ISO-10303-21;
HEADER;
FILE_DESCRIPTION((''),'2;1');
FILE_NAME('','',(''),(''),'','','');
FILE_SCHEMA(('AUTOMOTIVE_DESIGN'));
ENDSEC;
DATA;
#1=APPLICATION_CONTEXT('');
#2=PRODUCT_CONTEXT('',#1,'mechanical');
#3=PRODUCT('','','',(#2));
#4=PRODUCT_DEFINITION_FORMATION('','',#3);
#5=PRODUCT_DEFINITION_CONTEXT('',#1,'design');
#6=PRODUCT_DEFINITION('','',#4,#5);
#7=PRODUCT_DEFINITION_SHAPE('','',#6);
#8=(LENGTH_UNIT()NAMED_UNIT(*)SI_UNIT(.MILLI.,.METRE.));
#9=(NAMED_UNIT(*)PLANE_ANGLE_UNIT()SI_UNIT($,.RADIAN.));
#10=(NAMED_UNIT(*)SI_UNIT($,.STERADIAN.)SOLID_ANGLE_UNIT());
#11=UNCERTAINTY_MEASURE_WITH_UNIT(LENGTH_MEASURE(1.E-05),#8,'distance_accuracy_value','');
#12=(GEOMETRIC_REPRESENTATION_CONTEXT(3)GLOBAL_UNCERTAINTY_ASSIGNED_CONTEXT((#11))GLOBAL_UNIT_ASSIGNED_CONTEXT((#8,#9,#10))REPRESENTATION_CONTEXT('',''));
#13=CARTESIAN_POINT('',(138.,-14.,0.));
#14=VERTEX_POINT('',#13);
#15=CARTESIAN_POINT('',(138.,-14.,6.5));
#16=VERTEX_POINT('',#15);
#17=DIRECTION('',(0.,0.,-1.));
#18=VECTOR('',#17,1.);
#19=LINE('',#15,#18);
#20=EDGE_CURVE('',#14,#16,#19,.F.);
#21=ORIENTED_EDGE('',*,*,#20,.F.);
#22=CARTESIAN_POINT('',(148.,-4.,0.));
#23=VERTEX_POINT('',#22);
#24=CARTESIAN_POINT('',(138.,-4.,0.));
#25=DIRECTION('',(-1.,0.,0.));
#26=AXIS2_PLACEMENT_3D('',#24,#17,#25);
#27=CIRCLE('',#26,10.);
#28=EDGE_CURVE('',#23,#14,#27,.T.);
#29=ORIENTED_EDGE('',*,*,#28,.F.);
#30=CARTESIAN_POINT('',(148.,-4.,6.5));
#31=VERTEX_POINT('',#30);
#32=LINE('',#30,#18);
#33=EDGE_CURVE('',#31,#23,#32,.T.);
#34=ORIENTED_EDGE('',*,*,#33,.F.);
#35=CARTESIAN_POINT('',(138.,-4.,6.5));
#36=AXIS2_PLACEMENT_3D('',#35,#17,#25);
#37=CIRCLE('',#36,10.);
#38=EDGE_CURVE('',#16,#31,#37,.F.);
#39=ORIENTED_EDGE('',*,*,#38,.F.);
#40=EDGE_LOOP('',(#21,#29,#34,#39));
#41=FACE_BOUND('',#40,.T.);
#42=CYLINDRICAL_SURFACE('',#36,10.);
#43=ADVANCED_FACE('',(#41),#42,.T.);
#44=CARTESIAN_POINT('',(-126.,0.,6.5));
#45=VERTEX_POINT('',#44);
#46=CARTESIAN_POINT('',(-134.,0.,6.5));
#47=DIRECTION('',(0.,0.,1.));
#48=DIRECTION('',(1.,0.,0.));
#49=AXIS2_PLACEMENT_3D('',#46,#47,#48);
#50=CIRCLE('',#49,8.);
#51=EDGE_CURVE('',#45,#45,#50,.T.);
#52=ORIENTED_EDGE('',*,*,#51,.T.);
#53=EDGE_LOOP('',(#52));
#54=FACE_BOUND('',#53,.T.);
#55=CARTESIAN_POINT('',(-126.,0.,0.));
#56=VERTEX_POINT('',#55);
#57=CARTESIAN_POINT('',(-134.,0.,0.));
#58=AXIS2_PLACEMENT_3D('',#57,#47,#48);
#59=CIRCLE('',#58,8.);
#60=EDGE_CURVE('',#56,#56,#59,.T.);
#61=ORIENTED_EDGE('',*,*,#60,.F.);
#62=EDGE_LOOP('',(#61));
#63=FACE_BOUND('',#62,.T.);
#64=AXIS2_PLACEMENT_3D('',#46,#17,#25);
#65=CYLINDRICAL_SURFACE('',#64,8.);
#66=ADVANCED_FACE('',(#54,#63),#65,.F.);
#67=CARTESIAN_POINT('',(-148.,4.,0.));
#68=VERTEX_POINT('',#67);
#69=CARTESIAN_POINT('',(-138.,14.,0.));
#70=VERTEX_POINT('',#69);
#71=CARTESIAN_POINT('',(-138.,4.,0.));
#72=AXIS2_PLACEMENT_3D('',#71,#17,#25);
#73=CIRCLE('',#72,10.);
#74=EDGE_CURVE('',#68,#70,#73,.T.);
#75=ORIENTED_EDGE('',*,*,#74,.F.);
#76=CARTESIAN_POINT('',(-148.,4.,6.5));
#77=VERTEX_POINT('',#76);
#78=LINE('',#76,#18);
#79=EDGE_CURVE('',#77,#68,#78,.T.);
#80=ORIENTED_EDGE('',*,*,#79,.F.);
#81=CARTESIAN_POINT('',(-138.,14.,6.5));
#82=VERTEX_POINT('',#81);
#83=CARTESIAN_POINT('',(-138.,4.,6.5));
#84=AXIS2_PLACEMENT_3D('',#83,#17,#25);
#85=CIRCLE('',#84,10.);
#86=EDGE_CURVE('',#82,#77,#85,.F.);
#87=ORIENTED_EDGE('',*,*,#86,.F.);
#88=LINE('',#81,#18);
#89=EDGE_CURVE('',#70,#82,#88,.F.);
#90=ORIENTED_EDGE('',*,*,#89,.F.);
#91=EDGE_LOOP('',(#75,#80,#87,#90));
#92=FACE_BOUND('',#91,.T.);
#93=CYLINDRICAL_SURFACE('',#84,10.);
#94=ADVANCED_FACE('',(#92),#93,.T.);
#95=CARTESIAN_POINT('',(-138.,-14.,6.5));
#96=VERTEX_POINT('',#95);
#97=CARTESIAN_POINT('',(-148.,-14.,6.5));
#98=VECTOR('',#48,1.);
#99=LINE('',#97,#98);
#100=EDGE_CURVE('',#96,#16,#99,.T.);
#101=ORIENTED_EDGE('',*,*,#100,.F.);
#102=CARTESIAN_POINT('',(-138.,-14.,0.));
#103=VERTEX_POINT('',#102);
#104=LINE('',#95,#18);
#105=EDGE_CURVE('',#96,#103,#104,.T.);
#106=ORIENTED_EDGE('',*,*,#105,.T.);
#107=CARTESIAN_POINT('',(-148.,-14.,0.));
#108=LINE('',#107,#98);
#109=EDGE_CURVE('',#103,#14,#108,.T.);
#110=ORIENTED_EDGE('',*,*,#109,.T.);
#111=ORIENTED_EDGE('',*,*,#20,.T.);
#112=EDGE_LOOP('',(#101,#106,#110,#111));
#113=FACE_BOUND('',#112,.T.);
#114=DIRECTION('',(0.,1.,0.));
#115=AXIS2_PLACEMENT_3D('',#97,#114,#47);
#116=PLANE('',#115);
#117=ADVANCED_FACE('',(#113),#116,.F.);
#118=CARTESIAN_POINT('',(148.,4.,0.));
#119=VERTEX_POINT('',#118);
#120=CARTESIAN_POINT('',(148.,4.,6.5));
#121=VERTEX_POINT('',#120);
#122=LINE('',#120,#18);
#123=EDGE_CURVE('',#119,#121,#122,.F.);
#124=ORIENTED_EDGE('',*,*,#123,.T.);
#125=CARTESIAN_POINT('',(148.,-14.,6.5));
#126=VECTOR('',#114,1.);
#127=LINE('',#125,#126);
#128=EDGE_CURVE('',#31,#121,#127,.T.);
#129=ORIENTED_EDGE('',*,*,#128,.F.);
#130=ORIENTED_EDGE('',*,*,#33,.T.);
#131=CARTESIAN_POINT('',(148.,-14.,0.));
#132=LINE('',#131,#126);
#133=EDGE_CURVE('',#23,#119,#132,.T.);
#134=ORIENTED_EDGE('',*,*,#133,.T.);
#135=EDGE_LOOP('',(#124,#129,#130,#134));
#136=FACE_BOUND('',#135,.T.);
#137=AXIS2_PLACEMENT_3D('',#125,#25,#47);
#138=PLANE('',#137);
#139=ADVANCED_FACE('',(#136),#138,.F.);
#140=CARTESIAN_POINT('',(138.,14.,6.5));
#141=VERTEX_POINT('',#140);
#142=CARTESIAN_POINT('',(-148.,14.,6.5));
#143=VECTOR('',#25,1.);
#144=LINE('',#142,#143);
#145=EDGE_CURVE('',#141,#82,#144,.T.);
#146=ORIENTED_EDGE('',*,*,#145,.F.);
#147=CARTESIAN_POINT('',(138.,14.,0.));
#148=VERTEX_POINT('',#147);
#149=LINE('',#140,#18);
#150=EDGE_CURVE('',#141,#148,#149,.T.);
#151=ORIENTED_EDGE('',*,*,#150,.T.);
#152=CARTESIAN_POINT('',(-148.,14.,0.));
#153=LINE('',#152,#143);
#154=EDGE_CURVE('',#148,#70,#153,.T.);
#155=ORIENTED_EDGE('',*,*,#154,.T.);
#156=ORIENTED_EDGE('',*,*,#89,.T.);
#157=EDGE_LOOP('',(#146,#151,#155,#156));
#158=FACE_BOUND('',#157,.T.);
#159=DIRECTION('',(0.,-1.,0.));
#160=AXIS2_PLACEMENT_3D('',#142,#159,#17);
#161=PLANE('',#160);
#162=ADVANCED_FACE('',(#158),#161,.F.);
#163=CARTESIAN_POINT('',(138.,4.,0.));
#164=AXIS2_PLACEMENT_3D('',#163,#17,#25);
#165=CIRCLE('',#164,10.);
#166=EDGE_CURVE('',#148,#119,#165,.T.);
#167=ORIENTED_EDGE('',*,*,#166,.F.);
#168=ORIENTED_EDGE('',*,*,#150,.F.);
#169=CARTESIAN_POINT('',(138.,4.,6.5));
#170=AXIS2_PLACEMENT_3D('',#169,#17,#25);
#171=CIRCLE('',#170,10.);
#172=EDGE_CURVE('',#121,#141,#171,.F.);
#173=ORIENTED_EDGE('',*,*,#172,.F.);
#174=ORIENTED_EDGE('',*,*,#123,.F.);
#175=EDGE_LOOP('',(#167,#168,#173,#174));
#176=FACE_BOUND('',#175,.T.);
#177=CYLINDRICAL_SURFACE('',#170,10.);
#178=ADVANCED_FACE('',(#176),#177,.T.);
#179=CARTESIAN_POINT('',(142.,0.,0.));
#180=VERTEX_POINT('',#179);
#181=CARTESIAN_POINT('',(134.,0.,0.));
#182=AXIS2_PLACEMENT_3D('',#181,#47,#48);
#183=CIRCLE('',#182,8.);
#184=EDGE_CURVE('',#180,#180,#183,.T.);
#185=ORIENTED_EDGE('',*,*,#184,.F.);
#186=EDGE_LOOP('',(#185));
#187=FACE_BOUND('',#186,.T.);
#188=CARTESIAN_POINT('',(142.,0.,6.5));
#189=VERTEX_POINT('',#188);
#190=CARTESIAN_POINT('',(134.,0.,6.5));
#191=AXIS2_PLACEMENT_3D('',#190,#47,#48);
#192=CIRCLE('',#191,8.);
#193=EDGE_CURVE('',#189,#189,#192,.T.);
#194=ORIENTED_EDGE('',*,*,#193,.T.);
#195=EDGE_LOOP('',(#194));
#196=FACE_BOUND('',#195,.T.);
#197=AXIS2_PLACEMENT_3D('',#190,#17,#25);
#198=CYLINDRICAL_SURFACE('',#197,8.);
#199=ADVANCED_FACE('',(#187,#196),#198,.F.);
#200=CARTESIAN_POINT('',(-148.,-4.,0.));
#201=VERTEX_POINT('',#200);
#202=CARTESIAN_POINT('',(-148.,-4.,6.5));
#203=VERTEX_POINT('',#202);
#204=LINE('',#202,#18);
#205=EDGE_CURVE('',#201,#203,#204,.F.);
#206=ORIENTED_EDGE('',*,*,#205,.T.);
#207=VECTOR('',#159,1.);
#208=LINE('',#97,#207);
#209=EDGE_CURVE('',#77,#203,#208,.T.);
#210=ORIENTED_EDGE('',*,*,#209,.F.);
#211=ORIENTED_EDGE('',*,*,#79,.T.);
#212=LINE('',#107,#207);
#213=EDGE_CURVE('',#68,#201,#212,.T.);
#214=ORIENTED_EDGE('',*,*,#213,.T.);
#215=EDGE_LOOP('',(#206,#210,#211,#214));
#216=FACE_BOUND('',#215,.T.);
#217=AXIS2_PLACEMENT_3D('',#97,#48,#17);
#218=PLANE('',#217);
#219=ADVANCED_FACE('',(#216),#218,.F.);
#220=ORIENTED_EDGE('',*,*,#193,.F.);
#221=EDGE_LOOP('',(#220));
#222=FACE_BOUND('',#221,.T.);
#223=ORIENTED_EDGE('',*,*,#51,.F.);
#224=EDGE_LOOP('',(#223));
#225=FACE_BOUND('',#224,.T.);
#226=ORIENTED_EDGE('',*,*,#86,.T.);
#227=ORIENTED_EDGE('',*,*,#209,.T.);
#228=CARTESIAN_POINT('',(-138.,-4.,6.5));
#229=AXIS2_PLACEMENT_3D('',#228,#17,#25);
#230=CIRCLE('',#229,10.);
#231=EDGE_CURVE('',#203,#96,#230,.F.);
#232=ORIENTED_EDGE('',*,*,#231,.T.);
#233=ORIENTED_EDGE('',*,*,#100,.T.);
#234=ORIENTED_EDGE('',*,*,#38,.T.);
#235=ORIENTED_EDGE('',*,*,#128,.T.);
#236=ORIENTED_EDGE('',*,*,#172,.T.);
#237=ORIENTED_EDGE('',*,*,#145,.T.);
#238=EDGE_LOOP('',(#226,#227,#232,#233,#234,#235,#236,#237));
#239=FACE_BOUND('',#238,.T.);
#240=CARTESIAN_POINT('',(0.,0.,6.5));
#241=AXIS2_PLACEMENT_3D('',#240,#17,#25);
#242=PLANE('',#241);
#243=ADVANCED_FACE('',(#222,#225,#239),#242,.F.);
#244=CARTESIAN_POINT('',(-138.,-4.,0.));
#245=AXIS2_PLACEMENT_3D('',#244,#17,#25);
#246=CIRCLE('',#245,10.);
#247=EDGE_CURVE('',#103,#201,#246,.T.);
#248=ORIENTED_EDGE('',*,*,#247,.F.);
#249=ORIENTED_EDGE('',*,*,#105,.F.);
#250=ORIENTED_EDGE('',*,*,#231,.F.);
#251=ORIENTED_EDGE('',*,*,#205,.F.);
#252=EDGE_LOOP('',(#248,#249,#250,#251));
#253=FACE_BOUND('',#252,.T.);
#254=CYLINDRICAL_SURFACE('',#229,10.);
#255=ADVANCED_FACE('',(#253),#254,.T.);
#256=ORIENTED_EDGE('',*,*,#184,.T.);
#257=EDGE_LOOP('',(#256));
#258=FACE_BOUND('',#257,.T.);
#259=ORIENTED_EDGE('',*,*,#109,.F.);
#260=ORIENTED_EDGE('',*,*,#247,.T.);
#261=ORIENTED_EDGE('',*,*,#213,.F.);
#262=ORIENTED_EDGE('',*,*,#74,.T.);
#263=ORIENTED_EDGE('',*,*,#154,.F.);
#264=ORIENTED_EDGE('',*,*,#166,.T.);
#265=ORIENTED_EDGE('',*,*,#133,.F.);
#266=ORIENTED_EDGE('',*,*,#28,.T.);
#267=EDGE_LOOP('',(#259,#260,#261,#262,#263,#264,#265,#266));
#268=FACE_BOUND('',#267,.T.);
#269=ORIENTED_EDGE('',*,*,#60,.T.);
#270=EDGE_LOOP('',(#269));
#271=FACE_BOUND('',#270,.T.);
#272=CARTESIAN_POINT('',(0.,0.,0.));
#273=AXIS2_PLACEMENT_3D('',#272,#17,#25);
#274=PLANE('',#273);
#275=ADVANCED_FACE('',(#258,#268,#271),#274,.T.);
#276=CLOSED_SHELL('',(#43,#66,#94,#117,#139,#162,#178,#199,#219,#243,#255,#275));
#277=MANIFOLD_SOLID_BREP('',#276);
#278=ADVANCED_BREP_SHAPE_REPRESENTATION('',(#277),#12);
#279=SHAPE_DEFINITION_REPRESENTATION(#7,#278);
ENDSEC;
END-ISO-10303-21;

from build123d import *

# Parameters (mm, degrees)
SKETCH2_W           = 296
SKETCH2_H           = 28
SKETCH2_R           = 8
BOSS_EXTRUDE1_DEPTH = 6.5
FILLET1_R           = 10


with BuildPart() as part:
    # Sketch2 → Boss-Extrude1 (new body)
    with BuildSketch(Plane.XY):
        Rectangle(SKETCH2_W, SKETCH2_H)
        with Locations((-134, 0)):
            Circle(SKETCH2_R, mode=Mode.SUBTRACT)
        with Locations((134, 0)):
            Circle(SKETCH2_R, mode=Mode.SUBTRACT)
    extrude(amount=BOSS_EXTRUDE1_DEPTH)

    # Fillet1
    fillet1_edges = [part.edges().sort_by_distance(p)[0] for p in [
        (148, -14, 3.25),
        (-148, -14, 3.25),
        (-148, 14, 3.25),
        (148, 14, 3.25),
    ]]
    fillet(fillet1_edges, radius=FILLET1_R)


solid = part.part
